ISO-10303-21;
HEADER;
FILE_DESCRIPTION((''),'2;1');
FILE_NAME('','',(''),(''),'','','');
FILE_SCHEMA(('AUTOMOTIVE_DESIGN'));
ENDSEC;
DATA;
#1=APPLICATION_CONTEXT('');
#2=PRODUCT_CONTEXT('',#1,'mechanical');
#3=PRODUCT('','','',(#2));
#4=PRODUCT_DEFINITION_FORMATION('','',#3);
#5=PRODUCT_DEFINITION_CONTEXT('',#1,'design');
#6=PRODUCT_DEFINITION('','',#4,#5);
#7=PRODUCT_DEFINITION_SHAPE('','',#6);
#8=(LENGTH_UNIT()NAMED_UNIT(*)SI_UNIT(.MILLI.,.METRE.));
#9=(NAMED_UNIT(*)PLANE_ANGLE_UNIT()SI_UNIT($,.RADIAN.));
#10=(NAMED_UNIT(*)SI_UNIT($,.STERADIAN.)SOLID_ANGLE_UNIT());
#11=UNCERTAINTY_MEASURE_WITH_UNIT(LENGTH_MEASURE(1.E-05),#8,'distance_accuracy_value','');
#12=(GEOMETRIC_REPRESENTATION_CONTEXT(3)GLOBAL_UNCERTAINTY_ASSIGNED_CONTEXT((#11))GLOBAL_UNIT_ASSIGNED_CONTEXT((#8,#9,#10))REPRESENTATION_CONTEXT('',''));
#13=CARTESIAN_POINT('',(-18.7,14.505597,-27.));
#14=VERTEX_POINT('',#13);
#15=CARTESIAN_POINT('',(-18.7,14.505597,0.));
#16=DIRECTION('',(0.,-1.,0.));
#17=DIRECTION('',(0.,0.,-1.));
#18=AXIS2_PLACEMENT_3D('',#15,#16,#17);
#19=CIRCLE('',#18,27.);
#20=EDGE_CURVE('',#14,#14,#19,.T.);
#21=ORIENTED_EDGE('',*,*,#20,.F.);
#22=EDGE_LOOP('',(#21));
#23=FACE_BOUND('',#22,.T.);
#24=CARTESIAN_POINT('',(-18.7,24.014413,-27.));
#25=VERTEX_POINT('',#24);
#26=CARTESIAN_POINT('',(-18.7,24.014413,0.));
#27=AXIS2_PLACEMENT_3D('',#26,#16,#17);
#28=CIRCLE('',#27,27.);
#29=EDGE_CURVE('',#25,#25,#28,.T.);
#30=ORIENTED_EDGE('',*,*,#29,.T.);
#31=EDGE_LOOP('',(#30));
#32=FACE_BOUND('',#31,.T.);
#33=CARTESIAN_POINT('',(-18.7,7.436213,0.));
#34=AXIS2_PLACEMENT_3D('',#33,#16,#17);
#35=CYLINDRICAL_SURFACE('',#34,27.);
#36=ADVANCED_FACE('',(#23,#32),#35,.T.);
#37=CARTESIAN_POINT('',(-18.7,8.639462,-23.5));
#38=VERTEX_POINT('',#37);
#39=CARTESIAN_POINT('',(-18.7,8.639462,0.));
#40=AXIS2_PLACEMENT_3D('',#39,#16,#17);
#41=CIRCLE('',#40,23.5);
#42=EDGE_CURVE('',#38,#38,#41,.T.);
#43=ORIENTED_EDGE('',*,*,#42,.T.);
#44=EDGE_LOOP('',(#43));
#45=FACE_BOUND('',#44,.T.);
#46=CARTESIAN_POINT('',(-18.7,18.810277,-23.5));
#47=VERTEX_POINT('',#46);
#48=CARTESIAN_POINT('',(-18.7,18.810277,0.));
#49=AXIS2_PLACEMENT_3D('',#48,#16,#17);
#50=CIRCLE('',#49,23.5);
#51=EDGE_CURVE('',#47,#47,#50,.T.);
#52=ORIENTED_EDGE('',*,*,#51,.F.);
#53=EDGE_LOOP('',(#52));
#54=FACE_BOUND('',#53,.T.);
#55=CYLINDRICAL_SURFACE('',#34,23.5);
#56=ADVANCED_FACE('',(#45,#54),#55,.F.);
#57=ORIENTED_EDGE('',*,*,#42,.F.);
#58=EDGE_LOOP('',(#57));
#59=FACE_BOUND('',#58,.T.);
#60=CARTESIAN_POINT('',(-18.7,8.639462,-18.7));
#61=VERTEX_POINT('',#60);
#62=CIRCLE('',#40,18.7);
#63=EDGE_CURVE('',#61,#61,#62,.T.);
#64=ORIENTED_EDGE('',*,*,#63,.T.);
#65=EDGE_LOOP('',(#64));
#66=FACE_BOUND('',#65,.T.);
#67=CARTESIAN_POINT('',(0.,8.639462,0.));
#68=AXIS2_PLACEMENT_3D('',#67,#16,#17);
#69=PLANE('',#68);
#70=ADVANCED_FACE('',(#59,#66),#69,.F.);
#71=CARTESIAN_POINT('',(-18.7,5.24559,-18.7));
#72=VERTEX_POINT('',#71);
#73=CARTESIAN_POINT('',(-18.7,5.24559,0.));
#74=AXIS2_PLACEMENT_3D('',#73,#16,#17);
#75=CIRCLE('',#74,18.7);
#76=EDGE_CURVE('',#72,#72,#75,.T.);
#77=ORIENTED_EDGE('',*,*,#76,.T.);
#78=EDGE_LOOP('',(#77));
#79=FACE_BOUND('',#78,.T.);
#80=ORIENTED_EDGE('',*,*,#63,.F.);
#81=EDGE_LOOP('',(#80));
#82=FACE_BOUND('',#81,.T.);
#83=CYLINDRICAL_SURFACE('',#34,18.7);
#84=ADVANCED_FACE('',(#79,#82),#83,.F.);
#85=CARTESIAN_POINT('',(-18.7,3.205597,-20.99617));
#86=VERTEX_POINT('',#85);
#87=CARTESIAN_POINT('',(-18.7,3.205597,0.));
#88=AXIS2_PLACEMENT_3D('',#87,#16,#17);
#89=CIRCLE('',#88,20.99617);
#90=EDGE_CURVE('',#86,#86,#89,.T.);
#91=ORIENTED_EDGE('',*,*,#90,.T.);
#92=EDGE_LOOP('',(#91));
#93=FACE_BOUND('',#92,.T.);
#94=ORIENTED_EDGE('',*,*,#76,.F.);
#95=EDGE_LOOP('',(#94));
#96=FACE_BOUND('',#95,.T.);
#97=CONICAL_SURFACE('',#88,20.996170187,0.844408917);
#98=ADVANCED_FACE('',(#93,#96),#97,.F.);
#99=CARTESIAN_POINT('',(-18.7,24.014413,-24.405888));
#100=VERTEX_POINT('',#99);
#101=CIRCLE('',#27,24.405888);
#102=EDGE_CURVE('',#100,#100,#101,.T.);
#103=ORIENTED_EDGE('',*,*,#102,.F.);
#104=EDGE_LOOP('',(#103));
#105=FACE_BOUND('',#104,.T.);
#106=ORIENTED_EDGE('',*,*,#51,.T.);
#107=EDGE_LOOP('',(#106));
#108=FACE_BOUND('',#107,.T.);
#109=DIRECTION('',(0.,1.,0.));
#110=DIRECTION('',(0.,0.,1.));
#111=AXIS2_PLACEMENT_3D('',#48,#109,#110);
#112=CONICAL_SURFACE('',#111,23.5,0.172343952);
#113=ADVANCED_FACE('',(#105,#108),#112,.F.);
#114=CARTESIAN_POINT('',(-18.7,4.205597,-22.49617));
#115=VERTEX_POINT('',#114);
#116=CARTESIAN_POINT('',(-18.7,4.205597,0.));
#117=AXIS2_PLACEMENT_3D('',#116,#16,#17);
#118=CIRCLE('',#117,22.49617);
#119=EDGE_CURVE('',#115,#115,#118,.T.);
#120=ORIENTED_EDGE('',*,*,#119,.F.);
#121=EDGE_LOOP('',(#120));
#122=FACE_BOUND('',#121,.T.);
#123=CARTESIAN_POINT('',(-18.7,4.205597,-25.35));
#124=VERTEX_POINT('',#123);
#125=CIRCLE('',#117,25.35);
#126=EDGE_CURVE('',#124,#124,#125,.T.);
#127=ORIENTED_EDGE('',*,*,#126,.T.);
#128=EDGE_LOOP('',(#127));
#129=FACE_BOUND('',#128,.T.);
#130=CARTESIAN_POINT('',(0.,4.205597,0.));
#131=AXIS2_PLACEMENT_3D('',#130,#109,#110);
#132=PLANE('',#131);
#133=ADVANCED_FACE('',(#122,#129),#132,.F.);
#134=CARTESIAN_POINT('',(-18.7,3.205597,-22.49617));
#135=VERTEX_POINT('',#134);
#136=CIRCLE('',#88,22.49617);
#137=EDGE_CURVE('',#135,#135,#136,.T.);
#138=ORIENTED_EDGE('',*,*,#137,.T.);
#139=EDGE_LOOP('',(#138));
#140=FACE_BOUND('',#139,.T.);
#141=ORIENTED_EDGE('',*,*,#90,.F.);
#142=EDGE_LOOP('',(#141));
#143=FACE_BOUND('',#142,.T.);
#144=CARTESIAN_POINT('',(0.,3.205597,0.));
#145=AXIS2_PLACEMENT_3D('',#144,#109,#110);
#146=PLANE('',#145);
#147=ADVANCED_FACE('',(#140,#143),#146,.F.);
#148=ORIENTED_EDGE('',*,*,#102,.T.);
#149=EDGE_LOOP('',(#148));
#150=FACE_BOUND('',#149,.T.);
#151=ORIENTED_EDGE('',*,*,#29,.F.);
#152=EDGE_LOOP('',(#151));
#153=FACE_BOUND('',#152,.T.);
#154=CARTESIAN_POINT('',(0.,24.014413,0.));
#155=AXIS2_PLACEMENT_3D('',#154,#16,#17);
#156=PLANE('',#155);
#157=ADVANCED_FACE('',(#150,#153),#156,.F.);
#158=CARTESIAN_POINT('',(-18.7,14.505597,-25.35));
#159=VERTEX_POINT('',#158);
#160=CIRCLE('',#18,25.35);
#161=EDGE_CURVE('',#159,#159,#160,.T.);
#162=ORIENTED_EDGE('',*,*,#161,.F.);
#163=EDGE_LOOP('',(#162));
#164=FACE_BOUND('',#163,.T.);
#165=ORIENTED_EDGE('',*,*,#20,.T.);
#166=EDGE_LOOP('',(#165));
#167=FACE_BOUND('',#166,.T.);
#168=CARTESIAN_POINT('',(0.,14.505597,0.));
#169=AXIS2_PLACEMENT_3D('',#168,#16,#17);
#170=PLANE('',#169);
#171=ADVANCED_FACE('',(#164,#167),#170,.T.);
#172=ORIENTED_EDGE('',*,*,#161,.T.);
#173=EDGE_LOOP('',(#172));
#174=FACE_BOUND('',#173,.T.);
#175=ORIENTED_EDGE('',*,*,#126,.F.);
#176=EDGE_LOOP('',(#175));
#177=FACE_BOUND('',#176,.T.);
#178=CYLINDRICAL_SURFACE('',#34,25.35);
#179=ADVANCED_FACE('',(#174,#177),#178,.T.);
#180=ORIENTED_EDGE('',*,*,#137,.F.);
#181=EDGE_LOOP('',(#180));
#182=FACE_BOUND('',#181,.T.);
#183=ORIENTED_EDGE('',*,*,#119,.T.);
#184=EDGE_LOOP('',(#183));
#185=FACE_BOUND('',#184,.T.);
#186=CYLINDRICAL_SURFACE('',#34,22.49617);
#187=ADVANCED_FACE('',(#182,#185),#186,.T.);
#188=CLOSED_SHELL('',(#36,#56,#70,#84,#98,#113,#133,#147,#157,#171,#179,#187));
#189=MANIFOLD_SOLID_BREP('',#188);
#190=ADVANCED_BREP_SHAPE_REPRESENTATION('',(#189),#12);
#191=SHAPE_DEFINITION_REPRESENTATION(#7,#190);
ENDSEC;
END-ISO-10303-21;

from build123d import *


with BuildPart() as part:
    # Sketch2 → Revolve1 (revolve)
    with BuildSketch(Plane.XY):
        Polygon((0, 8.639461868), (0, 5.245589646), (2.296170187, 3.205597118), (3.796170187, 3.205597118), (3.796170187, 4.205597118), (6.65, 4.205597118), (6.65, 14.505597118), (8.3, 14.505597118), (8.3, 24.014413354), (6.65, 24.014413354), (5.705888238, 24.014413354), (4.8, 18.810277156), (4.8, 8.639461868), align=None)
    revolve(axis=Axis((-18.7, 7.436212611, 0), (0, 1, 0)))


solid = part.part
